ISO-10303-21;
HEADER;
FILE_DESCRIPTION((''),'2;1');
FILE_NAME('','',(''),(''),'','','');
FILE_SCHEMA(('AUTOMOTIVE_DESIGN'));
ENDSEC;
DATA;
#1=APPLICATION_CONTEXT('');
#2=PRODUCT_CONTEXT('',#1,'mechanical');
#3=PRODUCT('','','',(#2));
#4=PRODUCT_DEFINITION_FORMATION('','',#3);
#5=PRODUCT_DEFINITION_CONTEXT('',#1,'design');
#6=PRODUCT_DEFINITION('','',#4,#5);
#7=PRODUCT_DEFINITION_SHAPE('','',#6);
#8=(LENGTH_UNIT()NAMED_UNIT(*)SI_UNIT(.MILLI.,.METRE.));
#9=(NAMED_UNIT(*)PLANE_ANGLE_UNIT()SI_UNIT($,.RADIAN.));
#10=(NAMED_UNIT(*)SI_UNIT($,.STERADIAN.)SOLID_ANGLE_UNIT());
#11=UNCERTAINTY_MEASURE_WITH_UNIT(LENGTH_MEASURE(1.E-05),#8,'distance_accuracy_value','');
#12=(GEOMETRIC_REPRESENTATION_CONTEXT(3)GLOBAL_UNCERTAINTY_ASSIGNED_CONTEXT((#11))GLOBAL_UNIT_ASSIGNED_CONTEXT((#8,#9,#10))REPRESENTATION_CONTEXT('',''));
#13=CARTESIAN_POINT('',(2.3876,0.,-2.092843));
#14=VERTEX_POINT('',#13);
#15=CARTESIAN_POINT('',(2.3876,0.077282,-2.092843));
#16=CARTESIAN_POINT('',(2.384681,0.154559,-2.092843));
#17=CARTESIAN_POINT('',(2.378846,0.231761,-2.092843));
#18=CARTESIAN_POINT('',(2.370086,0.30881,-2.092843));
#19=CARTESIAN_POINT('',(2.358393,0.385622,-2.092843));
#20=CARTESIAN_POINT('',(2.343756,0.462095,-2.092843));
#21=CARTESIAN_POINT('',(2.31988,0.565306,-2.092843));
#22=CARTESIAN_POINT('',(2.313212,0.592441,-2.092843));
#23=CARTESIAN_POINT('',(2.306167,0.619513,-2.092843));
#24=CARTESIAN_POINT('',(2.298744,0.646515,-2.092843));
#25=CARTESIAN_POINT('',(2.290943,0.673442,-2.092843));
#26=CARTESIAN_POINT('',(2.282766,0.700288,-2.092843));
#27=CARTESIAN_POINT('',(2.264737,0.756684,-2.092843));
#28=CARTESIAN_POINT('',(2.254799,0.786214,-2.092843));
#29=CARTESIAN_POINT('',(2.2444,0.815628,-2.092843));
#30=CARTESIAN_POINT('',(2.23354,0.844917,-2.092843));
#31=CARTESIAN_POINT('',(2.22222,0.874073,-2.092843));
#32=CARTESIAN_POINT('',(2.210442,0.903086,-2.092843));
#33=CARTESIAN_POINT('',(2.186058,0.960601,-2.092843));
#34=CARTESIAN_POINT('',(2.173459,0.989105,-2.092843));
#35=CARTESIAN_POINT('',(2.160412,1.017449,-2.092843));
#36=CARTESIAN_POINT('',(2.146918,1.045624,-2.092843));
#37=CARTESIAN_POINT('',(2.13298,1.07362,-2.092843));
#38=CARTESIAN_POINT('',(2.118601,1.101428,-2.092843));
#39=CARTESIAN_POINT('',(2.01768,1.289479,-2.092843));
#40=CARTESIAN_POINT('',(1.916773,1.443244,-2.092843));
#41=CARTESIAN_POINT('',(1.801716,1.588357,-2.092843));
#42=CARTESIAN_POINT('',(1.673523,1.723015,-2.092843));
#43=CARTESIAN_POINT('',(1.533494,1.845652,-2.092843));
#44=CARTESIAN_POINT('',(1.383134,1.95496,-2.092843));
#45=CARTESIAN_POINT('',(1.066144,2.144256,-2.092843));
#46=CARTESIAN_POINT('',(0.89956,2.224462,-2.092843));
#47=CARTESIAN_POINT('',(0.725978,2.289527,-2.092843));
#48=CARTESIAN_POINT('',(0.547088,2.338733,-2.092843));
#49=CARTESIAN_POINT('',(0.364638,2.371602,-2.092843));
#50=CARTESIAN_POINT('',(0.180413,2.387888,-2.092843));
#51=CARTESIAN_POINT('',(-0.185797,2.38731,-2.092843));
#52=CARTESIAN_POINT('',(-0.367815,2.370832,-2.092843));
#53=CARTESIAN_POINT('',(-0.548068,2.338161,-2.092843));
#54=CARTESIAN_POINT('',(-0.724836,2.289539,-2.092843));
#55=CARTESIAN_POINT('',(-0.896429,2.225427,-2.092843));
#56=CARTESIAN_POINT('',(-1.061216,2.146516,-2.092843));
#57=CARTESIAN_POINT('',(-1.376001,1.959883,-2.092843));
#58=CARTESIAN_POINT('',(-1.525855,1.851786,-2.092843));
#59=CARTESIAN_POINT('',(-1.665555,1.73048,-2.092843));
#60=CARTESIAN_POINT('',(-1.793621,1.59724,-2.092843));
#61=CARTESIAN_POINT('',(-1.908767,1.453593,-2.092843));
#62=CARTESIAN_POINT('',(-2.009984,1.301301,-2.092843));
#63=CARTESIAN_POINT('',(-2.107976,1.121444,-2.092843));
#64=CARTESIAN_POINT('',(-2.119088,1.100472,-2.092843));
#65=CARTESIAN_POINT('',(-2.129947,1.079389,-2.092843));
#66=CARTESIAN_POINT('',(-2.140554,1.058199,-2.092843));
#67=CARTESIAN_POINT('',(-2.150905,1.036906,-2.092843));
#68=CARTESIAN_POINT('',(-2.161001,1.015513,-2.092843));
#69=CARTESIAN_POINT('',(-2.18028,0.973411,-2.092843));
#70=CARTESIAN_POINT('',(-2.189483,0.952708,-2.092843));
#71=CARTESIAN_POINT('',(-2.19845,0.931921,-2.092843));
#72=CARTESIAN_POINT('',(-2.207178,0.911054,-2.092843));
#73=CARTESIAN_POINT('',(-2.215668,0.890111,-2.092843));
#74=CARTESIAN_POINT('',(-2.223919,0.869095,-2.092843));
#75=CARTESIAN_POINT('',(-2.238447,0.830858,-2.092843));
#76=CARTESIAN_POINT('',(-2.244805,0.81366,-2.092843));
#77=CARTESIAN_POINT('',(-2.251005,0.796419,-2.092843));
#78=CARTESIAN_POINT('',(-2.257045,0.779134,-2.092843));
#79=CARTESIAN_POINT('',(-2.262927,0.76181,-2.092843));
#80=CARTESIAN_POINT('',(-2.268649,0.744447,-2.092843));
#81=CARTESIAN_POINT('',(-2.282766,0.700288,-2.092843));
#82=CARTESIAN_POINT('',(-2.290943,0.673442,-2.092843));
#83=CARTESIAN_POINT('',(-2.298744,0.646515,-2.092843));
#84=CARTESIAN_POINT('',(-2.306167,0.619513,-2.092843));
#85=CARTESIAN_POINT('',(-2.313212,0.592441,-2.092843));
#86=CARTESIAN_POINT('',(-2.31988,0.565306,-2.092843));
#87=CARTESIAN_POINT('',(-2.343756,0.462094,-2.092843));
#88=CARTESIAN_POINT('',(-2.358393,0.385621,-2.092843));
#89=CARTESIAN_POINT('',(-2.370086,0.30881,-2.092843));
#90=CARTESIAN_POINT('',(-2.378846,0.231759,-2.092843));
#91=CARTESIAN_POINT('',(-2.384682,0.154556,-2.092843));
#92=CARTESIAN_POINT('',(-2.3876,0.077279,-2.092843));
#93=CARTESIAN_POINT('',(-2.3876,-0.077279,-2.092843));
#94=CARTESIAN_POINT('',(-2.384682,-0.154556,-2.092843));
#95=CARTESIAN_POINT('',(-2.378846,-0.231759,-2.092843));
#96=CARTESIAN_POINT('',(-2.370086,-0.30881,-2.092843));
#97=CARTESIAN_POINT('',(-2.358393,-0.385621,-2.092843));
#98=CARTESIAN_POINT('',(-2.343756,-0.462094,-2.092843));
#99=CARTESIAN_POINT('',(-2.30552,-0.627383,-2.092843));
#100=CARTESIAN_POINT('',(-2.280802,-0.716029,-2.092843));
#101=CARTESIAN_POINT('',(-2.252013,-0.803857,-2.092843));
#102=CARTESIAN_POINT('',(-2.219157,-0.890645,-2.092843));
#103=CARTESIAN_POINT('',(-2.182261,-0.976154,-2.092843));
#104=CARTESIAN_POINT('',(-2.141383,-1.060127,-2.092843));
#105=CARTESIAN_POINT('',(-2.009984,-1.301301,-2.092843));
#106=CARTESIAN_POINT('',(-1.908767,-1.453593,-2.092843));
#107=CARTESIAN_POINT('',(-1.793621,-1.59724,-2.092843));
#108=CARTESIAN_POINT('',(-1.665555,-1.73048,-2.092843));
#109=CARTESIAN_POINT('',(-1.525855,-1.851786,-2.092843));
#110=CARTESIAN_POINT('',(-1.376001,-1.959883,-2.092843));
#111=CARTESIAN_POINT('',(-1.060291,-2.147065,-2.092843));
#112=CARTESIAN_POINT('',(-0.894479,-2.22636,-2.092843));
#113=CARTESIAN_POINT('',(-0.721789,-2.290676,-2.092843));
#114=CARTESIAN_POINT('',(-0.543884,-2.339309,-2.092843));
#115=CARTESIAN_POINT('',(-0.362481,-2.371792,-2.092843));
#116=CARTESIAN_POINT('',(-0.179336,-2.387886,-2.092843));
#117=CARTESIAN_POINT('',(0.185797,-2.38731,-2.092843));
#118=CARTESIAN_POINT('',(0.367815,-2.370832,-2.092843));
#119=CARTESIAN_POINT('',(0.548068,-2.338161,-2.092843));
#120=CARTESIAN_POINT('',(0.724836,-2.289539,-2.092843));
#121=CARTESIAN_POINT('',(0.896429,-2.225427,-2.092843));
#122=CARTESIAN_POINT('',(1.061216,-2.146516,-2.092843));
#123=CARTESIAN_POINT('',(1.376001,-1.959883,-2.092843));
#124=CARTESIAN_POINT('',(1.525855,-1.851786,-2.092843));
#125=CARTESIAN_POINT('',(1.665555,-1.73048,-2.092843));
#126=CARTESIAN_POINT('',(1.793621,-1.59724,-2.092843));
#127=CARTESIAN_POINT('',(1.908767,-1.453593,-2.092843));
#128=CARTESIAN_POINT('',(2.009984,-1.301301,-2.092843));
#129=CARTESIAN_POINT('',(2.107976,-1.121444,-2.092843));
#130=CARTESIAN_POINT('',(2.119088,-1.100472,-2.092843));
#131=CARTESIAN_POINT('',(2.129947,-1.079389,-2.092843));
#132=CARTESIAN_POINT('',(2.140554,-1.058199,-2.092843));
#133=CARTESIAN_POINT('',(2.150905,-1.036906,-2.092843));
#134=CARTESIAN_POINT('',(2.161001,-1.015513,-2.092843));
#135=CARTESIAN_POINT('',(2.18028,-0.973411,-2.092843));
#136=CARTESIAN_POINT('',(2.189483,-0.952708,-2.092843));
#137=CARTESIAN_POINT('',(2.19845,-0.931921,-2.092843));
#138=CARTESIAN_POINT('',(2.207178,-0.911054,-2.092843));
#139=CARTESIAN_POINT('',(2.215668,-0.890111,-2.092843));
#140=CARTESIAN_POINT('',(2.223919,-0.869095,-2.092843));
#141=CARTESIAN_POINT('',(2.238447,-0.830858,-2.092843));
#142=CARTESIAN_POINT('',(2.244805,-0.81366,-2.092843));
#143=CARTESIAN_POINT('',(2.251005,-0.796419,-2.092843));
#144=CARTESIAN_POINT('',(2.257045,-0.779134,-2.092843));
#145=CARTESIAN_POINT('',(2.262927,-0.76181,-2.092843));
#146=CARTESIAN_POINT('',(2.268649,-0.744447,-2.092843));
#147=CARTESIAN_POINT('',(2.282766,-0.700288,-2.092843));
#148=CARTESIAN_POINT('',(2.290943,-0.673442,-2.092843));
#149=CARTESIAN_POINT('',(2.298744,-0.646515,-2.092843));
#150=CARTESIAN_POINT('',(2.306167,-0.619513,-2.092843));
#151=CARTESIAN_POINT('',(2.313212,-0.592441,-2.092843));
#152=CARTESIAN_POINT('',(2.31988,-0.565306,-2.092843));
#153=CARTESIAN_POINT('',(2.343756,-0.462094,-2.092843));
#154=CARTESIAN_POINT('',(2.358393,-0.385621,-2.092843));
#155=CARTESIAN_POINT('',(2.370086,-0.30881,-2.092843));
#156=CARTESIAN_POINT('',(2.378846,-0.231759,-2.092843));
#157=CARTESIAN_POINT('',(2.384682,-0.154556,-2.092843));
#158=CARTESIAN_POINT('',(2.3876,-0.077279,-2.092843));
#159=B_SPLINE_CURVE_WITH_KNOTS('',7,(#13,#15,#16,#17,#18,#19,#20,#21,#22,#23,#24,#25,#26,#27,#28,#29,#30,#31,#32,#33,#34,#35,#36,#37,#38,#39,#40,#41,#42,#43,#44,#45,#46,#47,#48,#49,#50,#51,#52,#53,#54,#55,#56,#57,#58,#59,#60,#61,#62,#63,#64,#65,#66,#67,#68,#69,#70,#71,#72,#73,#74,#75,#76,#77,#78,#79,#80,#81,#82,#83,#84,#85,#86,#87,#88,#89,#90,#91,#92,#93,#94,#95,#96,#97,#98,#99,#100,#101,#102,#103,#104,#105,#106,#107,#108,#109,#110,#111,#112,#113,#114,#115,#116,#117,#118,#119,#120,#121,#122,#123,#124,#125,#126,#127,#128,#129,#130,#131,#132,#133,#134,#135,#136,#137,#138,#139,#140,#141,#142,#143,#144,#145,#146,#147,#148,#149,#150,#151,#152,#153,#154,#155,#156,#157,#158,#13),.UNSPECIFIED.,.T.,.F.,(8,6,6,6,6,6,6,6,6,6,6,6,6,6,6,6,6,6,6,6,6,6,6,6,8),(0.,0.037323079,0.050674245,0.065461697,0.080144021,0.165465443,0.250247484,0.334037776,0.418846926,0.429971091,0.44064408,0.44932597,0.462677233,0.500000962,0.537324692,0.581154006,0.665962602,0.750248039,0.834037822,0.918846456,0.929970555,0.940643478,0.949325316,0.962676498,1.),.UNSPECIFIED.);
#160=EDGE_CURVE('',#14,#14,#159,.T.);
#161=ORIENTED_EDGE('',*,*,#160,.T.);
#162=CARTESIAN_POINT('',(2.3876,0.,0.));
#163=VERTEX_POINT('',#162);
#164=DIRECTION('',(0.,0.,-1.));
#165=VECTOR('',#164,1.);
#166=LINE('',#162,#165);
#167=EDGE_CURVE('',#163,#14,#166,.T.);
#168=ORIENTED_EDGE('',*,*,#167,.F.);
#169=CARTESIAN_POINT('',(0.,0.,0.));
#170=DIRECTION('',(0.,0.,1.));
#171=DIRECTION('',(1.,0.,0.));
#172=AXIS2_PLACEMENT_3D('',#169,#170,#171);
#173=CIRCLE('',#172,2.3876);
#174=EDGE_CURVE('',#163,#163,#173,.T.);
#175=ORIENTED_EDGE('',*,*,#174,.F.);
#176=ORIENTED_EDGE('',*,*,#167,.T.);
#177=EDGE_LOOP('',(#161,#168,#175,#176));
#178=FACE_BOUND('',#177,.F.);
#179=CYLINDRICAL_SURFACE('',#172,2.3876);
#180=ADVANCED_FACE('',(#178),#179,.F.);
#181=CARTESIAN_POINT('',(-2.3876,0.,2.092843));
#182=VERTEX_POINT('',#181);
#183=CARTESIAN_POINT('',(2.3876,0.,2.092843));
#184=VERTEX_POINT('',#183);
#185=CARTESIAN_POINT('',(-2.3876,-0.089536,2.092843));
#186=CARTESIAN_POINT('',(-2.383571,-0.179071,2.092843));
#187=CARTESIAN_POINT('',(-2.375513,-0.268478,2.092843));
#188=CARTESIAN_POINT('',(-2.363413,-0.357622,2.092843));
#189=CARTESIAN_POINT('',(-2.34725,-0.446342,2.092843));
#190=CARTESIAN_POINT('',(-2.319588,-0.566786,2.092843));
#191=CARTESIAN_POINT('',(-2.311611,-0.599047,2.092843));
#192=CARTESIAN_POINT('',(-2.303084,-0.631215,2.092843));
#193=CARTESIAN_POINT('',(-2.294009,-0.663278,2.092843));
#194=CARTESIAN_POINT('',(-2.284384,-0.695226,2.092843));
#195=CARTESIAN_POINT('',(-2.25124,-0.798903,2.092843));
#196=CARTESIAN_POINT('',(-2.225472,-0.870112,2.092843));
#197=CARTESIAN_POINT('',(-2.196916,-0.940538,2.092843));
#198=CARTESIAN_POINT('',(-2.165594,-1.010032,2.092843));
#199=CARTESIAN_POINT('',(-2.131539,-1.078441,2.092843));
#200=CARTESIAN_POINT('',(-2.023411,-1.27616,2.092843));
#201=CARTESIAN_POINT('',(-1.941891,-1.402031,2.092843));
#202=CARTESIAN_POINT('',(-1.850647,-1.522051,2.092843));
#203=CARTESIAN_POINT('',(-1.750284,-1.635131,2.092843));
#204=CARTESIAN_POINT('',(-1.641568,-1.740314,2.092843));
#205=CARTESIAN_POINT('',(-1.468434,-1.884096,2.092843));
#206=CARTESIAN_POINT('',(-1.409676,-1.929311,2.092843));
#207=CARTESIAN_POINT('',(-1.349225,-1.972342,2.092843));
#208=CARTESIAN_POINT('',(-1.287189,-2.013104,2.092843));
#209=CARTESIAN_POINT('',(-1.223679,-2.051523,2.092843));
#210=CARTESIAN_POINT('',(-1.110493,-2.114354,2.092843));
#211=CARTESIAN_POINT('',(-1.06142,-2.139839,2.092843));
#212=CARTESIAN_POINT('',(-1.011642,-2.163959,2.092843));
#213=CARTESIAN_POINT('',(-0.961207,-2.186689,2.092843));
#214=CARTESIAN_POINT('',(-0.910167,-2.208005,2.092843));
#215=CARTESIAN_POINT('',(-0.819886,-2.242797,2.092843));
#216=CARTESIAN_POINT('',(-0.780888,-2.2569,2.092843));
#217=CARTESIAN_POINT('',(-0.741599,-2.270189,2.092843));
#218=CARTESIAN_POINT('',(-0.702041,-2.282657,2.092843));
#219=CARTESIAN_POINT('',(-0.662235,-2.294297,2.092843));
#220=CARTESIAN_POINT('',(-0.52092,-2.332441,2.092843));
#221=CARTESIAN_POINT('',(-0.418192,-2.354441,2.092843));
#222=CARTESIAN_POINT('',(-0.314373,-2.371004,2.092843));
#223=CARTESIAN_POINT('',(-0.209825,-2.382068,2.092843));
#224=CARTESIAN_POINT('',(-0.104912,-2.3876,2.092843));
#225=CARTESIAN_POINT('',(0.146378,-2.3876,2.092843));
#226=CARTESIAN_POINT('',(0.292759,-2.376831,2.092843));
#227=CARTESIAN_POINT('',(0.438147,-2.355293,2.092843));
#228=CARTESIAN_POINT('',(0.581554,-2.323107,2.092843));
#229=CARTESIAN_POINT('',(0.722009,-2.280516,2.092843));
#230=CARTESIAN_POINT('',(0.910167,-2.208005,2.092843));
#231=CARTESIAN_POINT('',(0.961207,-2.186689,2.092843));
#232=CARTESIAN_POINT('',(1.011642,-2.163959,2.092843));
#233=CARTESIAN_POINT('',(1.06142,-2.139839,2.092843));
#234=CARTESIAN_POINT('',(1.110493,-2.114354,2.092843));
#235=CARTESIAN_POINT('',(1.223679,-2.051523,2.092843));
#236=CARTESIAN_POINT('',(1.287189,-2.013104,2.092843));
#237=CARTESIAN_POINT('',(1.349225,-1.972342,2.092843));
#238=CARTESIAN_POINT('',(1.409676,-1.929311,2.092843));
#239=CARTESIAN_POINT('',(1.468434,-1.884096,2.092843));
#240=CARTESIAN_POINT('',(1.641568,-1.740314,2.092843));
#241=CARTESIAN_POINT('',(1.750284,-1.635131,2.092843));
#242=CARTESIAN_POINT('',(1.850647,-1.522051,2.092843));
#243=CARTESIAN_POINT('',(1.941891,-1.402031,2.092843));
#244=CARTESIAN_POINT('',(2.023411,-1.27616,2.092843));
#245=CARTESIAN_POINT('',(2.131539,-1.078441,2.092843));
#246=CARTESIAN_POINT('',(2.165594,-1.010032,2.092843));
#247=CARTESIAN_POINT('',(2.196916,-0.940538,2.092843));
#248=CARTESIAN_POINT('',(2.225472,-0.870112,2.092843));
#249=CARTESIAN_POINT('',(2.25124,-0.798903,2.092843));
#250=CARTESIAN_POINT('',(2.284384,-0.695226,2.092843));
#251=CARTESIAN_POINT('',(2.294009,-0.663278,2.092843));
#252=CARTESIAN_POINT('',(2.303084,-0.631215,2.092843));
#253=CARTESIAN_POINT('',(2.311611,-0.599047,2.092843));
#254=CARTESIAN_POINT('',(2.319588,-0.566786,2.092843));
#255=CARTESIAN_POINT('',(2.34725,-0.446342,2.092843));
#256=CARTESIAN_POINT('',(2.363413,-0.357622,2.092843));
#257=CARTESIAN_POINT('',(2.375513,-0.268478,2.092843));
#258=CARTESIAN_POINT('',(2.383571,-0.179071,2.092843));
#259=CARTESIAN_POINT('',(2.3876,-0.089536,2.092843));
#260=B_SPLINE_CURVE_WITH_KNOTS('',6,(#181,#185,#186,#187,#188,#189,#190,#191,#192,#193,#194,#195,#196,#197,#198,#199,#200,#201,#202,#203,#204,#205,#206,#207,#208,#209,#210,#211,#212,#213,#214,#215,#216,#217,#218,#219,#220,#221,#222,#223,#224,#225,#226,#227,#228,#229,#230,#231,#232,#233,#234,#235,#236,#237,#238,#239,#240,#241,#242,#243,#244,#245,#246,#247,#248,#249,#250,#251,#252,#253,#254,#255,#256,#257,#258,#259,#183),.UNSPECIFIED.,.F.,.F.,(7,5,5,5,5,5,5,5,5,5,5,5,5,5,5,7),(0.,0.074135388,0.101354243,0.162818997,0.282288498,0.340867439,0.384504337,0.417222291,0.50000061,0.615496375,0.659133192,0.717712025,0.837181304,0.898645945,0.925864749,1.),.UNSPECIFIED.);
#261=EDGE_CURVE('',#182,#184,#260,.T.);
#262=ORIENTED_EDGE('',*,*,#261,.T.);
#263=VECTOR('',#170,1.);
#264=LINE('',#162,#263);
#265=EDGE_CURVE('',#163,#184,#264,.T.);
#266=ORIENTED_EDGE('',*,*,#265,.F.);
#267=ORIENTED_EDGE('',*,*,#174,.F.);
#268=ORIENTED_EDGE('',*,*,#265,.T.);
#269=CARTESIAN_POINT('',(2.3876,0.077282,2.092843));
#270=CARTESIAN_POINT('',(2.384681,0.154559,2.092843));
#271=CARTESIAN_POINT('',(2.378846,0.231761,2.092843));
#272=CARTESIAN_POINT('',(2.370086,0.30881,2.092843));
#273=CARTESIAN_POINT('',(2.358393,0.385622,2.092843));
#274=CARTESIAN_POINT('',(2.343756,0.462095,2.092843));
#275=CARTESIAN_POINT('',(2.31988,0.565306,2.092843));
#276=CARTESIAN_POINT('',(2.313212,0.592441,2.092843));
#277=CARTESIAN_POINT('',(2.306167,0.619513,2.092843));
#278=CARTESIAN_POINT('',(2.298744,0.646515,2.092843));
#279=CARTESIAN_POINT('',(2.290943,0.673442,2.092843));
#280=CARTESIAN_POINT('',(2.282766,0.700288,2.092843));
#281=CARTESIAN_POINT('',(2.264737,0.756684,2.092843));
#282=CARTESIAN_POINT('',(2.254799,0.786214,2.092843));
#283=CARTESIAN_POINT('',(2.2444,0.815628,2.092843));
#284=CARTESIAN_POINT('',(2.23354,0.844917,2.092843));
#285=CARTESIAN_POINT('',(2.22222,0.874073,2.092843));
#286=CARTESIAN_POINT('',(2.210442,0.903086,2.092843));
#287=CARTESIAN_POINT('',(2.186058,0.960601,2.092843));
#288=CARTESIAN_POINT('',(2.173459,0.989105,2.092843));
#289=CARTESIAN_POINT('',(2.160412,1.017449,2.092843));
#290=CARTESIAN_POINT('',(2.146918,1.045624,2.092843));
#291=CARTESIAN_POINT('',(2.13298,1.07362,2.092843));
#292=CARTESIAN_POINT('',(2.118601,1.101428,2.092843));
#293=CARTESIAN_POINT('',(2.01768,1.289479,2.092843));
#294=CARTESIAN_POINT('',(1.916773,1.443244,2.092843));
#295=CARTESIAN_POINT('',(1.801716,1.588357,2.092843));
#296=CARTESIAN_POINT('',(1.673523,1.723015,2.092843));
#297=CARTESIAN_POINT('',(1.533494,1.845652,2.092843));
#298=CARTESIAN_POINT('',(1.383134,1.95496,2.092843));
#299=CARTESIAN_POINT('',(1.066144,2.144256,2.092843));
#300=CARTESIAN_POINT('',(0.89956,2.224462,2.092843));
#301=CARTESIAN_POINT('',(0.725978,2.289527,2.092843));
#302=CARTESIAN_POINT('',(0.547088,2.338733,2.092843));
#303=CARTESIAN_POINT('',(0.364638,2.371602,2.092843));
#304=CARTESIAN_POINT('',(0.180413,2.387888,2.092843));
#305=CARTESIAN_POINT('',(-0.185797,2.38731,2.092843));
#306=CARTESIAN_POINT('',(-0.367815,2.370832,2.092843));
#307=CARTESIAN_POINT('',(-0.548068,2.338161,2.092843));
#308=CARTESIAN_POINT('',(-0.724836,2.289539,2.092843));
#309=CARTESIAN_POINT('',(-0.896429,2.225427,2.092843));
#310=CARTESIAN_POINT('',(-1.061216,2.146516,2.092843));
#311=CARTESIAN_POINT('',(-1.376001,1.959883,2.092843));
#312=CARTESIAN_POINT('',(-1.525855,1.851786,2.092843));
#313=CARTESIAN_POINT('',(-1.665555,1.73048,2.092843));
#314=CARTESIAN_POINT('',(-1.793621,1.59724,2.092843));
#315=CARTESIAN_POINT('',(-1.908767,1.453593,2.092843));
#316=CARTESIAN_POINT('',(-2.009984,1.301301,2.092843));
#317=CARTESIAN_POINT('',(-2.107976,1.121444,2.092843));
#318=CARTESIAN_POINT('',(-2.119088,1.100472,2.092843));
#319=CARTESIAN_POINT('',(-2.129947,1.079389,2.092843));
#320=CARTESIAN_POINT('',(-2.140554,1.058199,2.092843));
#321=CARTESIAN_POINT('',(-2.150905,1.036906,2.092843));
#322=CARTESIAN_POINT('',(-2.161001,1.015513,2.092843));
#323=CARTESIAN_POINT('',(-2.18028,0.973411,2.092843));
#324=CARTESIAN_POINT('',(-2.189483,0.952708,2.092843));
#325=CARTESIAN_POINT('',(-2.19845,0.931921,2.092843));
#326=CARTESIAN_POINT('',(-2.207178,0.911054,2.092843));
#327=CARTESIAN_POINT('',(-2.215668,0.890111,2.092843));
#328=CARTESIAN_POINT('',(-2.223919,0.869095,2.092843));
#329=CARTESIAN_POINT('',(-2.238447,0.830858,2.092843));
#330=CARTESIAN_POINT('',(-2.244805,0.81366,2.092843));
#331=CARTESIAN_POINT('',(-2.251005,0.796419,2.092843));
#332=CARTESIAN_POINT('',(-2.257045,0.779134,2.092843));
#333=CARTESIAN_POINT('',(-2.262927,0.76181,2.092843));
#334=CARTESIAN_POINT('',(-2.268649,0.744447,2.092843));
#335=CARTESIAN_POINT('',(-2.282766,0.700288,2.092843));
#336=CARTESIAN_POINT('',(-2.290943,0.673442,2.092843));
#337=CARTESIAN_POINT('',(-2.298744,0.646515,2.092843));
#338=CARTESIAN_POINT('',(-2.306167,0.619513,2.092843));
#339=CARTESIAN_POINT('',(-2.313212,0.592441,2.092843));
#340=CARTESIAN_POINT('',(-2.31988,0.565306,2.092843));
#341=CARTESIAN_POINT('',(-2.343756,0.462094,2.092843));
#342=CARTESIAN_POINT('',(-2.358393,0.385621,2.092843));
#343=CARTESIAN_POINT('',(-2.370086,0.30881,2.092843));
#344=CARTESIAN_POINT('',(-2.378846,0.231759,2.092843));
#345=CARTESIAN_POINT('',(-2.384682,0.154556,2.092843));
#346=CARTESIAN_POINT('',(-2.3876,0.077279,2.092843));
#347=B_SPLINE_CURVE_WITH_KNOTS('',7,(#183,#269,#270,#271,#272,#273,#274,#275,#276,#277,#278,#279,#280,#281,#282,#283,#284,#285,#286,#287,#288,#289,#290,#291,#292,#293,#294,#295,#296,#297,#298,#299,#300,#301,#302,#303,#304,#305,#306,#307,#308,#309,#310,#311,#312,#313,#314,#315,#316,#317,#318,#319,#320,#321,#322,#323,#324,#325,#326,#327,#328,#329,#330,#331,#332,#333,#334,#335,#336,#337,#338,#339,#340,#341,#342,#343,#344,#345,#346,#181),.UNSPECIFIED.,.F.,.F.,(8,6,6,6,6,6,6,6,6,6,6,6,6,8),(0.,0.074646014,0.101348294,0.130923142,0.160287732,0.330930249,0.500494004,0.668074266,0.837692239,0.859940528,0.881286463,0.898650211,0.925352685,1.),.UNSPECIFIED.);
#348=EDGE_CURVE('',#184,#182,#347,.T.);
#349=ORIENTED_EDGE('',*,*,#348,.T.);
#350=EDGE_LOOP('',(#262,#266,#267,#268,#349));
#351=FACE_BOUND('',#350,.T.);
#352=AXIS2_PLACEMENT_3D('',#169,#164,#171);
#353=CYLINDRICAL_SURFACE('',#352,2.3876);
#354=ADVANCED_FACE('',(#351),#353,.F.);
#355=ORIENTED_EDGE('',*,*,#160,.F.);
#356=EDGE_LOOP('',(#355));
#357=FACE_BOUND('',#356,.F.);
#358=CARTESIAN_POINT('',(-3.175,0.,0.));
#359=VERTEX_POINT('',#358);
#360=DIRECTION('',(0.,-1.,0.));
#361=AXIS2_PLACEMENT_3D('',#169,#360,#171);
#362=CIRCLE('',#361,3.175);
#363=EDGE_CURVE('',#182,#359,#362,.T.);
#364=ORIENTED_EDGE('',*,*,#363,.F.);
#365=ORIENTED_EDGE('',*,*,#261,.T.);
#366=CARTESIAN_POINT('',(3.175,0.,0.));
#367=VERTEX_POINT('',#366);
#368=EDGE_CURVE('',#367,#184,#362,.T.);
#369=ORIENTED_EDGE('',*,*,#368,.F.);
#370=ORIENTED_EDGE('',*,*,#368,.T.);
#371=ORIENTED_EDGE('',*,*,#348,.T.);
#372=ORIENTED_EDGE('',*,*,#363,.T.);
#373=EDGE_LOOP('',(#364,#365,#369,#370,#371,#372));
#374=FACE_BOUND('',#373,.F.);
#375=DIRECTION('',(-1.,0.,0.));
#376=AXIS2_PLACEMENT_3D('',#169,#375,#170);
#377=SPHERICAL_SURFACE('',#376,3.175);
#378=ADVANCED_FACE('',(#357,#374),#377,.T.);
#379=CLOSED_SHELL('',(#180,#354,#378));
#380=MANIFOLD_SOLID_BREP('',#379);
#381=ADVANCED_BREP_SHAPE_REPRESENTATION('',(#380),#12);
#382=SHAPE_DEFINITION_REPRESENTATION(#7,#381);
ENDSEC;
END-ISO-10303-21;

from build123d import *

# Parameters (mm, degrees)
F2_R          = 2.3876
F3_DEPTH      = 3.176
F3_DEPTH_BACK = 3.176


with BuildPart() as f1:
    # F0 (on Front) → F1 (revolve)
    with BuildSketch(Plane.XZ):
        with BuildLine():
            Line((-3.175, 0), (3.175, 0))
            ThreePointArc((3.175, 0), (0, 3.175), (-3.175, 0))
        make_face()
    revolve(axis=Axis((0, 0, 0), (1, 0, 0)))

    # F2 (on Top) → F3 (cut, two sides)
    with BuildSketch(Plane.XY) as f3_sk:
        Circle(F2_R)
    extrude(amount=F3_DEPTH, mode=Mode.SUBTRACT)
    extrude(f3_sk.sketch, amount=-F3_DEPTH_BACK, mode=Mode.SUBTRACT)


solid = f1.part
